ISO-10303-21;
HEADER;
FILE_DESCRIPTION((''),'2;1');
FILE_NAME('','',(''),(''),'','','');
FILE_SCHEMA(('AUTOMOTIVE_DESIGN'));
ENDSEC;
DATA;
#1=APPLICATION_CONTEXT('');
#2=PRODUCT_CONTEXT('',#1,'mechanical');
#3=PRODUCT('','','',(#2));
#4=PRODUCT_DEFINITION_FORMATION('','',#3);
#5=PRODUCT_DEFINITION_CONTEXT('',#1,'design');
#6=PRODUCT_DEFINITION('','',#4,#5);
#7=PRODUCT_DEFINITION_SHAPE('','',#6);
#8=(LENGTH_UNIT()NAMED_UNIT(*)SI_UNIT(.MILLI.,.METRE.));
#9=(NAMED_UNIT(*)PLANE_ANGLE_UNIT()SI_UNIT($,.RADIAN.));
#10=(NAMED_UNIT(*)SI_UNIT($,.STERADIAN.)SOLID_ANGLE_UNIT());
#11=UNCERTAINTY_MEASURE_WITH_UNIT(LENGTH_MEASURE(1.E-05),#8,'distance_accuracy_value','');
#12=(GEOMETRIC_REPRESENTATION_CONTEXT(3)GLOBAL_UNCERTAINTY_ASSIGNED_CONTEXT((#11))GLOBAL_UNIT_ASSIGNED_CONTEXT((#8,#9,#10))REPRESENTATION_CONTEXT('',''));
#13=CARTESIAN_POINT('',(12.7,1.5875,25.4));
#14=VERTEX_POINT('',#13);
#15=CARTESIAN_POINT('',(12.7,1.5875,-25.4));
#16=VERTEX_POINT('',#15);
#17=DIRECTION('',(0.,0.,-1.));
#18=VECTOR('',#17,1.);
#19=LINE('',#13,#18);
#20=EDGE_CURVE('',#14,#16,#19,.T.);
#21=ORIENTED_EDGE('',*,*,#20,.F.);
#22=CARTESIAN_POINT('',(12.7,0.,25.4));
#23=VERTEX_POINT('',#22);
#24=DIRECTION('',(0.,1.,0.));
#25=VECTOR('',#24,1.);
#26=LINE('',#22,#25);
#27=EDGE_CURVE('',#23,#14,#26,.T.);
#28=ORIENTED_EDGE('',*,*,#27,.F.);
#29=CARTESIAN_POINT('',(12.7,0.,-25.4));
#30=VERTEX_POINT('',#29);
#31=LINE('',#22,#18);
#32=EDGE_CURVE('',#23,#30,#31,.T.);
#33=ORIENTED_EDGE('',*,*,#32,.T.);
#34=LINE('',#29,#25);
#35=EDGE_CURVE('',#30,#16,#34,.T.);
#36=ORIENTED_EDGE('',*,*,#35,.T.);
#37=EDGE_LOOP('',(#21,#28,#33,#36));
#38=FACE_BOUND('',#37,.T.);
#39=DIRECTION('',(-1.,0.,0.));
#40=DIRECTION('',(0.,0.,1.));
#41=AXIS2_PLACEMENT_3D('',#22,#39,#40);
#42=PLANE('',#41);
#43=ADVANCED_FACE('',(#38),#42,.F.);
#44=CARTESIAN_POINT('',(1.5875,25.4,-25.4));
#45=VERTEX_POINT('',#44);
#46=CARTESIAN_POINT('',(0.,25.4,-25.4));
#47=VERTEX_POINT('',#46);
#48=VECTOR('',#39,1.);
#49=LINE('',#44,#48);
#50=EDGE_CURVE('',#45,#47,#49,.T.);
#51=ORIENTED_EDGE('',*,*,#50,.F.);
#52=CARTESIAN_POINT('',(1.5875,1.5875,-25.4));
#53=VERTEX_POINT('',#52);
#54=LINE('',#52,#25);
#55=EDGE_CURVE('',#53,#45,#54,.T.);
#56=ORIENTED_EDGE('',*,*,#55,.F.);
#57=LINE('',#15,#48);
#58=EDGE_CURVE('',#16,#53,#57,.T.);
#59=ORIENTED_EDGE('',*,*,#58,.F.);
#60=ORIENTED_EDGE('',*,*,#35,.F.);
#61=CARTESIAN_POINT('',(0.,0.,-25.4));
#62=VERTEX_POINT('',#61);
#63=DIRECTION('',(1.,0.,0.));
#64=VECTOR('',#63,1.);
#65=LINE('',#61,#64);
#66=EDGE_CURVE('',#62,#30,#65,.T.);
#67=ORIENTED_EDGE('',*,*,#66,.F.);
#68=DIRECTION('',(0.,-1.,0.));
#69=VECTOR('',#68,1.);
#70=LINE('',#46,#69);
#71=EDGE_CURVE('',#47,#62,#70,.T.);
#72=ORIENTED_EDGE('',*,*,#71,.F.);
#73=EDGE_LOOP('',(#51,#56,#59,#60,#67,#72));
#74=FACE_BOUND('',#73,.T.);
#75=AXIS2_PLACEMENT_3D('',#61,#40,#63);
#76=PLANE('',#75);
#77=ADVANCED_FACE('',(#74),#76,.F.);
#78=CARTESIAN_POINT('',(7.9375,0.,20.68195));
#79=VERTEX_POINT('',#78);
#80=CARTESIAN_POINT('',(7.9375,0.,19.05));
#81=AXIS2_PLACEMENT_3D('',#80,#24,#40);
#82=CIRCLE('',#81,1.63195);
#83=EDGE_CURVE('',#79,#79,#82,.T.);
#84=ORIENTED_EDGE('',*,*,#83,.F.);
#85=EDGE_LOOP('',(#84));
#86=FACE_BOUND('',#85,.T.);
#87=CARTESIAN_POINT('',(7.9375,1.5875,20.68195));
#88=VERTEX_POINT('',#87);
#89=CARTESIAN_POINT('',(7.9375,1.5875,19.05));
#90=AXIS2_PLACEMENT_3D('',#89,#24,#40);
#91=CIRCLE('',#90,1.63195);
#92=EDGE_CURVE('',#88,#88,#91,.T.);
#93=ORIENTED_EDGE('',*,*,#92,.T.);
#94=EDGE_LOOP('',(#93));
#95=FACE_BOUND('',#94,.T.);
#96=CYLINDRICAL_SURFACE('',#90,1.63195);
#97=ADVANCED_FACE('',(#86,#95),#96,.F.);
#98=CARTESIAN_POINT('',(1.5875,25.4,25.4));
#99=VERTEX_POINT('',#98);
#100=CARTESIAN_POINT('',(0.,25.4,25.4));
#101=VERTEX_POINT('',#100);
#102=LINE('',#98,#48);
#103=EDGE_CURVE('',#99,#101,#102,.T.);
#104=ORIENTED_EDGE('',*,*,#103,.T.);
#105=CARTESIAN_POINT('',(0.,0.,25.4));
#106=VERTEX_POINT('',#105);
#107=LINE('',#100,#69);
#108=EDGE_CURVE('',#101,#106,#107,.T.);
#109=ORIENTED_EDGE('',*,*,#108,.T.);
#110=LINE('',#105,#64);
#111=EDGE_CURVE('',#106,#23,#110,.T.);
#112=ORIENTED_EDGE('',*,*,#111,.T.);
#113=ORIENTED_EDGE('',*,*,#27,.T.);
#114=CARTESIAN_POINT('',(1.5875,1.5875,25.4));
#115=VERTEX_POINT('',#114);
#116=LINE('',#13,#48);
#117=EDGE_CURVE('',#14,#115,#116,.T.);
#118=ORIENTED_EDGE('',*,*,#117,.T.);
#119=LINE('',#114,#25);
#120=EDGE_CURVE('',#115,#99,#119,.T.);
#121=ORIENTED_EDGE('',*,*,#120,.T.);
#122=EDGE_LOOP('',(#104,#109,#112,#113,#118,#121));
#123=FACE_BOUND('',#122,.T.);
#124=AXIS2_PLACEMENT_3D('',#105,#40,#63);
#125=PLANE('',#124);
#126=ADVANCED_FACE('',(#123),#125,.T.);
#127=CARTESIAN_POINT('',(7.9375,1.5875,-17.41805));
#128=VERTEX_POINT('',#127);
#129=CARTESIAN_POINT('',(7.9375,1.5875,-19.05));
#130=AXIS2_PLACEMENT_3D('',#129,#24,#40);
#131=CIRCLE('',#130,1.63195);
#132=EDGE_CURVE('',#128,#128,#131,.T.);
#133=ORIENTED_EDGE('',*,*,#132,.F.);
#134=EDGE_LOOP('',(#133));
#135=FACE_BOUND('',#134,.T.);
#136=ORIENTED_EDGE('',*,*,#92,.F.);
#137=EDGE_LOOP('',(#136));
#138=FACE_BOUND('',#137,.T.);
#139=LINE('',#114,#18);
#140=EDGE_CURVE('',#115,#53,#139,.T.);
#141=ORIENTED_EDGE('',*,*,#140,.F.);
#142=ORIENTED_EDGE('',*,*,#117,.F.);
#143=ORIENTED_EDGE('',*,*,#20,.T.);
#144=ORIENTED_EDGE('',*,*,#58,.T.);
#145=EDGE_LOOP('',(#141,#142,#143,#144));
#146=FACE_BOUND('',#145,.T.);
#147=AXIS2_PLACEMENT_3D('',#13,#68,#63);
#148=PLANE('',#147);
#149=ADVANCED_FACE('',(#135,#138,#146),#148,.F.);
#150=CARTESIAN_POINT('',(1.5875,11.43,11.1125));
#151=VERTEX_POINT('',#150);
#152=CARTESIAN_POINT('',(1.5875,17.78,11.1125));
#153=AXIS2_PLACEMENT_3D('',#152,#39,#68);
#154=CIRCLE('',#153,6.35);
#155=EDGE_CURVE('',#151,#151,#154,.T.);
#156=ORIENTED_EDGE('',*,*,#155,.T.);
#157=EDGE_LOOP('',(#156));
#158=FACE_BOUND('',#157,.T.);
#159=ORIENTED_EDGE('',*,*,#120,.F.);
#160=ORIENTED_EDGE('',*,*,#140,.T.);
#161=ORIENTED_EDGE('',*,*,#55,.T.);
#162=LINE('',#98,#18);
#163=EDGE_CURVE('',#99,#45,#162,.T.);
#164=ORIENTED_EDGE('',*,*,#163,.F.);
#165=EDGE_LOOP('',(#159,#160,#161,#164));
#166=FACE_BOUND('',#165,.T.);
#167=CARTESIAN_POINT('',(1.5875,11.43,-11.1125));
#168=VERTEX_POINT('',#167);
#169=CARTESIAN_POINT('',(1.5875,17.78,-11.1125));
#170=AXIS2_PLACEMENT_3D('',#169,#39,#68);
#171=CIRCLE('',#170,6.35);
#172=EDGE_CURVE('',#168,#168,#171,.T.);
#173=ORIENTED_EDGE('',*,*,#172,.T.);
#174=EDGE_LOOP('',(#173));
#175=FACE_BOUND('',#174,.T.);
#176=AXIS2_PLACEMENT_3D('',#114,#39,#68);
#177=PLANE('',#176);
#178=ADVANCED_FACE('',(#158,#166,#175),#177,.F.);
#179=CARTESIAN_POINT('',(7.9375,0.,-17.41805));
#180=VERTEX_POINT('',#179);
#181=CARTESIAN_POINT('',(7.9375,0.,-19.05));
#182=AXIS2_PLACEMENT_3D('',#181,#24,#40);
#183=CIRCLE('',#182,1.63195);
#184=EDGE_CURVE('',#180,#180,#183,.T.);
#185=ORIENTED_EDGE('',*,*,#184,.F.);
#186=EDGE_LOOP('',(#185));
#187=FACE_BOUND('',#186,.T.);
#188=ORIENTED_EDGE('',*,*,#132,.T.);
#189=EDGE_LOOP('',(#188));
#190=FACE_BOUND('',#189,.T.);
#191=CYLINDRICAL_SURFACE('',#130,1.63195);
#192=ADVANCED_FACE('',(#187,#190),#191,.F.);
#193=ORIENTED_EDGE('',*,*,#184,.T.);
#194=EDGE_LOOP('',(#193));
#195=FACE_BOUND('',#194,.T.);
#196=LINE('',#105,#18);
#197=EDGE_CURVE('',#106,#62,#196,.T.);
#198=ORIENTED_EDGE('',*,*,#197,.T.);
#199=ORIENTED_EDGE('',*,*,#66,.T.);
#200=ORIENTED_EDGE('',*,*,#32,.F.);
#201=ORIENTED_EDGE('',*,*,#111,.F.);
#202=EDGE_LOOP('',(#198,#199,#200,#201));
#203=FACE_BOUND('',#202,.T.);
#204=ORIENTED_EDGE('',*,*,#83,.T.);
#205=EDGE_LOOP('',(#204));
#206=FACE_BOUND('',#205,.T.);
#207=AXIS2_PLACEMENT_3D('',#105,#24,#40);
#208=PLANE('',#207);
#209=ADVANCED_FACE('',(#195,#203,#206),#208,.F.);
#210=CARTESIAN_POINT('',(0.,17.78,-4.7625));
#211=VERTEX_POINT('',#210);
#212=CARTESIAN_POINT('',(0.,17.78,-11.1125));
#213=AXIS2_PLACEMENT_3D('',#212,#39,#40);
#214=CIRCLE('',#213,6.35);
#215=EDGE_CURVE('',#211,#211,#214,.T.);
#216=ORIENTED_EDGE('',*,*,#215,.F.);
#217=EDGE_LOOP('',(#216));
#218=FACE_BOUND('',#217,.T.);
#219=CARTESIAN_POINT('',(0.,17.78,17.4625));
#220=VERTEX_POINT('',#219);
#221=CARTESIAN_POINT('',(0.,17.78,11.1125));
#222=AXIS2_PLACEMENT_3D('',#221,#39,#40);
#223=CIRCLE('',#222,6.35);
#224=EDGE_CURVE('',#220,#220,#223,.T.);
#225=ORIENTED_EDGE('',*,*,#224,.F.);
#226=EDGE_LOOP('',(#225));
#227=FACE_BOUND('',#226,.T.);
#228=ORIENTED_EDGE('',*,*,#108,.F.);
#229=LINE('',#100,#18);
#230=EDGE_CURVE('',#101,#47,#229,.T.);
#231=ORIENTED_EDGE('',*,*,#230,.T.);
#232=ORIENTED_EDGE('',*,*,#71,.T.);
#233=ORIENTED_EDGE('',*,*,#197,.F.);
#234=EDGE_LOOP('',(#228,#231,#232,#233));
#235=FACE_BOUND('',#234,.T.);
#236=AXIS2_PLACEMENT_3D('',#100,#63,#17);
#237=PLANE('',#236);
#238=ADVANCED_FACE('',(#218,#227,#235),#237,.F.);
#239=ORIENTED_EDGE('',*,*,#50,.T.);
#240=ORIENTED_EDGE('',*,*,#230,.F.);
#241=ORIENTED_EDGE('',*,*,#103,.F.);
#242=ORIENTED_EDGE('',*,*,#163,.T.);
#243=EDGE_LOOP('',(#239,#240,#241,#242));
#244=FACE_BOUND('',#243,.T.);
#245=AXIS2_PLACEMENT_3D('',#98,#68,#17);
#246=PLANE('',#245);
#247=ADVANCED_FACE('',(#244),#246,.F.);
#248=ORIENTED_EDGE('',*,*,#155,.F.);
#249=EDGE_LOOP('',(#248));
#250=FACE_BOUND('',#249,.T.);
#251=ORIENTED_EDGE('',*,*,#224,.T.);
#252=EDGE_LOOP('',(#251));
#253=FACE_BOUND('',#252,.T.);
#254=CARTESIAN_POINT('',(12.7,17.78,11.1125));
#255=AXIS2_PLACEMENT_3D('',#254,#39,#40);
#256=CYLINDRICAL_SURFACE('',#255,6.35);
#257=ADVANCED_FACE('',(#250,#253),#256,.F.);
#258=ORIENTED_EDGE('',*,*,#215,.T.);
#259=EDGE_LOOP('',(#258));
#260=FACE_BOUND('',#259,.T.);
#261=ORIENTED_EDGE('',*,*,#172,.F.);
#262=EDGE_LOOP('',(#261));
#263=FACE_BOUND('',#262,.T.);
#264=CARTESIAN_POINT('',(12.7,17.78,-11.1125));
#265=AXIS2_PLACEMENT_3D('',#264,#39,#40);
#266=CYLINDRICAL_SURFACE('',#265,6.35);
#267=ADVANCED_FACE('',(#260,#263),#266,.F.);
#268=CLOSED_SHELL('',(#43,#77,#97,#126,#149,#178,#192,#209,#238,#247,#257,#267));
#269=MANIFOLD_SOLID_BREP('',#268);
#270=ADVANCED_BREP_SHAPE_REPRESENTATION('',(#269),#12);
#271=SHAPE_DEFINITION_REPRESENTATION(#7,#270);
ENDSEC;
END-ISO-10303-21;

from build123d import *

# Parameters (mm, degrees)
BOSS_EXTRUDE1_DEPTH       = 25.4
SKETCH3_R                 = 6.35
CUT_EXTRUDE1_DEPTH        = 39.1
F_4_CLEARANCE_HOLE1_D     = 3.2639
F_4_CLEARANCE_HOLE1_DEPTH = 3.175
F_4_CLEARANCE_HOLE1_TIP   = 0.980574487


with BuildPart() as part:
    # Sketch1 → Boss-Extrude1 (new, symmetric)
    with BuildSketch(Plane.XY):
        Polygon((0, 0), (12.7, 0), (12.7, 1.5875), (1.5875, 1.5875), (1.5875, 25.4), (0, 25.4), align=None)
    extrude(amount=BOSS_EXTRUDE1_DEPTH, both=True)

    # Sketch3 → Cut-Extrude1 (cut, through all)
    with BuildSketch(Plane.ZY):
        with Locations((11.1125, 17.78)):
            Circle(SKETCH3_R)
        with Locations((-11.1125, 17.78)):
            Circle(SKETCH3_R)
    extrude(amount=-CUT_EXTRUDE1_DEPTH, mode=Mode.SUBTRACT)

    # #4 Clearance Hole1
    with Locations(Plane(origin=(0, 1.5875, 0), x_dir=(1, 0, 0), z_dir=(0, 1, 0))):
        with Locations((7.9375, 19.05), (7.9375, -19.05)):
            Hole(F_4_CLEARANCE_HOLE1_D / 2, depth=F_4_CLEARANCE_HOLE1_DEPTH)
            with Locations((0, 0, -(F_4_CLEARANCE_HOLE1_DEPTH + F_4_CLEARANCE_HOLE1_TIP / 2))):  # 118° drill point
                Cone(0, F_4_CLEARANCE_HOLE1_D / 2, F_4_CLEARANCE_HOLE1_TIP, mode=Mode.SUBTRACT)


solid = part.part
